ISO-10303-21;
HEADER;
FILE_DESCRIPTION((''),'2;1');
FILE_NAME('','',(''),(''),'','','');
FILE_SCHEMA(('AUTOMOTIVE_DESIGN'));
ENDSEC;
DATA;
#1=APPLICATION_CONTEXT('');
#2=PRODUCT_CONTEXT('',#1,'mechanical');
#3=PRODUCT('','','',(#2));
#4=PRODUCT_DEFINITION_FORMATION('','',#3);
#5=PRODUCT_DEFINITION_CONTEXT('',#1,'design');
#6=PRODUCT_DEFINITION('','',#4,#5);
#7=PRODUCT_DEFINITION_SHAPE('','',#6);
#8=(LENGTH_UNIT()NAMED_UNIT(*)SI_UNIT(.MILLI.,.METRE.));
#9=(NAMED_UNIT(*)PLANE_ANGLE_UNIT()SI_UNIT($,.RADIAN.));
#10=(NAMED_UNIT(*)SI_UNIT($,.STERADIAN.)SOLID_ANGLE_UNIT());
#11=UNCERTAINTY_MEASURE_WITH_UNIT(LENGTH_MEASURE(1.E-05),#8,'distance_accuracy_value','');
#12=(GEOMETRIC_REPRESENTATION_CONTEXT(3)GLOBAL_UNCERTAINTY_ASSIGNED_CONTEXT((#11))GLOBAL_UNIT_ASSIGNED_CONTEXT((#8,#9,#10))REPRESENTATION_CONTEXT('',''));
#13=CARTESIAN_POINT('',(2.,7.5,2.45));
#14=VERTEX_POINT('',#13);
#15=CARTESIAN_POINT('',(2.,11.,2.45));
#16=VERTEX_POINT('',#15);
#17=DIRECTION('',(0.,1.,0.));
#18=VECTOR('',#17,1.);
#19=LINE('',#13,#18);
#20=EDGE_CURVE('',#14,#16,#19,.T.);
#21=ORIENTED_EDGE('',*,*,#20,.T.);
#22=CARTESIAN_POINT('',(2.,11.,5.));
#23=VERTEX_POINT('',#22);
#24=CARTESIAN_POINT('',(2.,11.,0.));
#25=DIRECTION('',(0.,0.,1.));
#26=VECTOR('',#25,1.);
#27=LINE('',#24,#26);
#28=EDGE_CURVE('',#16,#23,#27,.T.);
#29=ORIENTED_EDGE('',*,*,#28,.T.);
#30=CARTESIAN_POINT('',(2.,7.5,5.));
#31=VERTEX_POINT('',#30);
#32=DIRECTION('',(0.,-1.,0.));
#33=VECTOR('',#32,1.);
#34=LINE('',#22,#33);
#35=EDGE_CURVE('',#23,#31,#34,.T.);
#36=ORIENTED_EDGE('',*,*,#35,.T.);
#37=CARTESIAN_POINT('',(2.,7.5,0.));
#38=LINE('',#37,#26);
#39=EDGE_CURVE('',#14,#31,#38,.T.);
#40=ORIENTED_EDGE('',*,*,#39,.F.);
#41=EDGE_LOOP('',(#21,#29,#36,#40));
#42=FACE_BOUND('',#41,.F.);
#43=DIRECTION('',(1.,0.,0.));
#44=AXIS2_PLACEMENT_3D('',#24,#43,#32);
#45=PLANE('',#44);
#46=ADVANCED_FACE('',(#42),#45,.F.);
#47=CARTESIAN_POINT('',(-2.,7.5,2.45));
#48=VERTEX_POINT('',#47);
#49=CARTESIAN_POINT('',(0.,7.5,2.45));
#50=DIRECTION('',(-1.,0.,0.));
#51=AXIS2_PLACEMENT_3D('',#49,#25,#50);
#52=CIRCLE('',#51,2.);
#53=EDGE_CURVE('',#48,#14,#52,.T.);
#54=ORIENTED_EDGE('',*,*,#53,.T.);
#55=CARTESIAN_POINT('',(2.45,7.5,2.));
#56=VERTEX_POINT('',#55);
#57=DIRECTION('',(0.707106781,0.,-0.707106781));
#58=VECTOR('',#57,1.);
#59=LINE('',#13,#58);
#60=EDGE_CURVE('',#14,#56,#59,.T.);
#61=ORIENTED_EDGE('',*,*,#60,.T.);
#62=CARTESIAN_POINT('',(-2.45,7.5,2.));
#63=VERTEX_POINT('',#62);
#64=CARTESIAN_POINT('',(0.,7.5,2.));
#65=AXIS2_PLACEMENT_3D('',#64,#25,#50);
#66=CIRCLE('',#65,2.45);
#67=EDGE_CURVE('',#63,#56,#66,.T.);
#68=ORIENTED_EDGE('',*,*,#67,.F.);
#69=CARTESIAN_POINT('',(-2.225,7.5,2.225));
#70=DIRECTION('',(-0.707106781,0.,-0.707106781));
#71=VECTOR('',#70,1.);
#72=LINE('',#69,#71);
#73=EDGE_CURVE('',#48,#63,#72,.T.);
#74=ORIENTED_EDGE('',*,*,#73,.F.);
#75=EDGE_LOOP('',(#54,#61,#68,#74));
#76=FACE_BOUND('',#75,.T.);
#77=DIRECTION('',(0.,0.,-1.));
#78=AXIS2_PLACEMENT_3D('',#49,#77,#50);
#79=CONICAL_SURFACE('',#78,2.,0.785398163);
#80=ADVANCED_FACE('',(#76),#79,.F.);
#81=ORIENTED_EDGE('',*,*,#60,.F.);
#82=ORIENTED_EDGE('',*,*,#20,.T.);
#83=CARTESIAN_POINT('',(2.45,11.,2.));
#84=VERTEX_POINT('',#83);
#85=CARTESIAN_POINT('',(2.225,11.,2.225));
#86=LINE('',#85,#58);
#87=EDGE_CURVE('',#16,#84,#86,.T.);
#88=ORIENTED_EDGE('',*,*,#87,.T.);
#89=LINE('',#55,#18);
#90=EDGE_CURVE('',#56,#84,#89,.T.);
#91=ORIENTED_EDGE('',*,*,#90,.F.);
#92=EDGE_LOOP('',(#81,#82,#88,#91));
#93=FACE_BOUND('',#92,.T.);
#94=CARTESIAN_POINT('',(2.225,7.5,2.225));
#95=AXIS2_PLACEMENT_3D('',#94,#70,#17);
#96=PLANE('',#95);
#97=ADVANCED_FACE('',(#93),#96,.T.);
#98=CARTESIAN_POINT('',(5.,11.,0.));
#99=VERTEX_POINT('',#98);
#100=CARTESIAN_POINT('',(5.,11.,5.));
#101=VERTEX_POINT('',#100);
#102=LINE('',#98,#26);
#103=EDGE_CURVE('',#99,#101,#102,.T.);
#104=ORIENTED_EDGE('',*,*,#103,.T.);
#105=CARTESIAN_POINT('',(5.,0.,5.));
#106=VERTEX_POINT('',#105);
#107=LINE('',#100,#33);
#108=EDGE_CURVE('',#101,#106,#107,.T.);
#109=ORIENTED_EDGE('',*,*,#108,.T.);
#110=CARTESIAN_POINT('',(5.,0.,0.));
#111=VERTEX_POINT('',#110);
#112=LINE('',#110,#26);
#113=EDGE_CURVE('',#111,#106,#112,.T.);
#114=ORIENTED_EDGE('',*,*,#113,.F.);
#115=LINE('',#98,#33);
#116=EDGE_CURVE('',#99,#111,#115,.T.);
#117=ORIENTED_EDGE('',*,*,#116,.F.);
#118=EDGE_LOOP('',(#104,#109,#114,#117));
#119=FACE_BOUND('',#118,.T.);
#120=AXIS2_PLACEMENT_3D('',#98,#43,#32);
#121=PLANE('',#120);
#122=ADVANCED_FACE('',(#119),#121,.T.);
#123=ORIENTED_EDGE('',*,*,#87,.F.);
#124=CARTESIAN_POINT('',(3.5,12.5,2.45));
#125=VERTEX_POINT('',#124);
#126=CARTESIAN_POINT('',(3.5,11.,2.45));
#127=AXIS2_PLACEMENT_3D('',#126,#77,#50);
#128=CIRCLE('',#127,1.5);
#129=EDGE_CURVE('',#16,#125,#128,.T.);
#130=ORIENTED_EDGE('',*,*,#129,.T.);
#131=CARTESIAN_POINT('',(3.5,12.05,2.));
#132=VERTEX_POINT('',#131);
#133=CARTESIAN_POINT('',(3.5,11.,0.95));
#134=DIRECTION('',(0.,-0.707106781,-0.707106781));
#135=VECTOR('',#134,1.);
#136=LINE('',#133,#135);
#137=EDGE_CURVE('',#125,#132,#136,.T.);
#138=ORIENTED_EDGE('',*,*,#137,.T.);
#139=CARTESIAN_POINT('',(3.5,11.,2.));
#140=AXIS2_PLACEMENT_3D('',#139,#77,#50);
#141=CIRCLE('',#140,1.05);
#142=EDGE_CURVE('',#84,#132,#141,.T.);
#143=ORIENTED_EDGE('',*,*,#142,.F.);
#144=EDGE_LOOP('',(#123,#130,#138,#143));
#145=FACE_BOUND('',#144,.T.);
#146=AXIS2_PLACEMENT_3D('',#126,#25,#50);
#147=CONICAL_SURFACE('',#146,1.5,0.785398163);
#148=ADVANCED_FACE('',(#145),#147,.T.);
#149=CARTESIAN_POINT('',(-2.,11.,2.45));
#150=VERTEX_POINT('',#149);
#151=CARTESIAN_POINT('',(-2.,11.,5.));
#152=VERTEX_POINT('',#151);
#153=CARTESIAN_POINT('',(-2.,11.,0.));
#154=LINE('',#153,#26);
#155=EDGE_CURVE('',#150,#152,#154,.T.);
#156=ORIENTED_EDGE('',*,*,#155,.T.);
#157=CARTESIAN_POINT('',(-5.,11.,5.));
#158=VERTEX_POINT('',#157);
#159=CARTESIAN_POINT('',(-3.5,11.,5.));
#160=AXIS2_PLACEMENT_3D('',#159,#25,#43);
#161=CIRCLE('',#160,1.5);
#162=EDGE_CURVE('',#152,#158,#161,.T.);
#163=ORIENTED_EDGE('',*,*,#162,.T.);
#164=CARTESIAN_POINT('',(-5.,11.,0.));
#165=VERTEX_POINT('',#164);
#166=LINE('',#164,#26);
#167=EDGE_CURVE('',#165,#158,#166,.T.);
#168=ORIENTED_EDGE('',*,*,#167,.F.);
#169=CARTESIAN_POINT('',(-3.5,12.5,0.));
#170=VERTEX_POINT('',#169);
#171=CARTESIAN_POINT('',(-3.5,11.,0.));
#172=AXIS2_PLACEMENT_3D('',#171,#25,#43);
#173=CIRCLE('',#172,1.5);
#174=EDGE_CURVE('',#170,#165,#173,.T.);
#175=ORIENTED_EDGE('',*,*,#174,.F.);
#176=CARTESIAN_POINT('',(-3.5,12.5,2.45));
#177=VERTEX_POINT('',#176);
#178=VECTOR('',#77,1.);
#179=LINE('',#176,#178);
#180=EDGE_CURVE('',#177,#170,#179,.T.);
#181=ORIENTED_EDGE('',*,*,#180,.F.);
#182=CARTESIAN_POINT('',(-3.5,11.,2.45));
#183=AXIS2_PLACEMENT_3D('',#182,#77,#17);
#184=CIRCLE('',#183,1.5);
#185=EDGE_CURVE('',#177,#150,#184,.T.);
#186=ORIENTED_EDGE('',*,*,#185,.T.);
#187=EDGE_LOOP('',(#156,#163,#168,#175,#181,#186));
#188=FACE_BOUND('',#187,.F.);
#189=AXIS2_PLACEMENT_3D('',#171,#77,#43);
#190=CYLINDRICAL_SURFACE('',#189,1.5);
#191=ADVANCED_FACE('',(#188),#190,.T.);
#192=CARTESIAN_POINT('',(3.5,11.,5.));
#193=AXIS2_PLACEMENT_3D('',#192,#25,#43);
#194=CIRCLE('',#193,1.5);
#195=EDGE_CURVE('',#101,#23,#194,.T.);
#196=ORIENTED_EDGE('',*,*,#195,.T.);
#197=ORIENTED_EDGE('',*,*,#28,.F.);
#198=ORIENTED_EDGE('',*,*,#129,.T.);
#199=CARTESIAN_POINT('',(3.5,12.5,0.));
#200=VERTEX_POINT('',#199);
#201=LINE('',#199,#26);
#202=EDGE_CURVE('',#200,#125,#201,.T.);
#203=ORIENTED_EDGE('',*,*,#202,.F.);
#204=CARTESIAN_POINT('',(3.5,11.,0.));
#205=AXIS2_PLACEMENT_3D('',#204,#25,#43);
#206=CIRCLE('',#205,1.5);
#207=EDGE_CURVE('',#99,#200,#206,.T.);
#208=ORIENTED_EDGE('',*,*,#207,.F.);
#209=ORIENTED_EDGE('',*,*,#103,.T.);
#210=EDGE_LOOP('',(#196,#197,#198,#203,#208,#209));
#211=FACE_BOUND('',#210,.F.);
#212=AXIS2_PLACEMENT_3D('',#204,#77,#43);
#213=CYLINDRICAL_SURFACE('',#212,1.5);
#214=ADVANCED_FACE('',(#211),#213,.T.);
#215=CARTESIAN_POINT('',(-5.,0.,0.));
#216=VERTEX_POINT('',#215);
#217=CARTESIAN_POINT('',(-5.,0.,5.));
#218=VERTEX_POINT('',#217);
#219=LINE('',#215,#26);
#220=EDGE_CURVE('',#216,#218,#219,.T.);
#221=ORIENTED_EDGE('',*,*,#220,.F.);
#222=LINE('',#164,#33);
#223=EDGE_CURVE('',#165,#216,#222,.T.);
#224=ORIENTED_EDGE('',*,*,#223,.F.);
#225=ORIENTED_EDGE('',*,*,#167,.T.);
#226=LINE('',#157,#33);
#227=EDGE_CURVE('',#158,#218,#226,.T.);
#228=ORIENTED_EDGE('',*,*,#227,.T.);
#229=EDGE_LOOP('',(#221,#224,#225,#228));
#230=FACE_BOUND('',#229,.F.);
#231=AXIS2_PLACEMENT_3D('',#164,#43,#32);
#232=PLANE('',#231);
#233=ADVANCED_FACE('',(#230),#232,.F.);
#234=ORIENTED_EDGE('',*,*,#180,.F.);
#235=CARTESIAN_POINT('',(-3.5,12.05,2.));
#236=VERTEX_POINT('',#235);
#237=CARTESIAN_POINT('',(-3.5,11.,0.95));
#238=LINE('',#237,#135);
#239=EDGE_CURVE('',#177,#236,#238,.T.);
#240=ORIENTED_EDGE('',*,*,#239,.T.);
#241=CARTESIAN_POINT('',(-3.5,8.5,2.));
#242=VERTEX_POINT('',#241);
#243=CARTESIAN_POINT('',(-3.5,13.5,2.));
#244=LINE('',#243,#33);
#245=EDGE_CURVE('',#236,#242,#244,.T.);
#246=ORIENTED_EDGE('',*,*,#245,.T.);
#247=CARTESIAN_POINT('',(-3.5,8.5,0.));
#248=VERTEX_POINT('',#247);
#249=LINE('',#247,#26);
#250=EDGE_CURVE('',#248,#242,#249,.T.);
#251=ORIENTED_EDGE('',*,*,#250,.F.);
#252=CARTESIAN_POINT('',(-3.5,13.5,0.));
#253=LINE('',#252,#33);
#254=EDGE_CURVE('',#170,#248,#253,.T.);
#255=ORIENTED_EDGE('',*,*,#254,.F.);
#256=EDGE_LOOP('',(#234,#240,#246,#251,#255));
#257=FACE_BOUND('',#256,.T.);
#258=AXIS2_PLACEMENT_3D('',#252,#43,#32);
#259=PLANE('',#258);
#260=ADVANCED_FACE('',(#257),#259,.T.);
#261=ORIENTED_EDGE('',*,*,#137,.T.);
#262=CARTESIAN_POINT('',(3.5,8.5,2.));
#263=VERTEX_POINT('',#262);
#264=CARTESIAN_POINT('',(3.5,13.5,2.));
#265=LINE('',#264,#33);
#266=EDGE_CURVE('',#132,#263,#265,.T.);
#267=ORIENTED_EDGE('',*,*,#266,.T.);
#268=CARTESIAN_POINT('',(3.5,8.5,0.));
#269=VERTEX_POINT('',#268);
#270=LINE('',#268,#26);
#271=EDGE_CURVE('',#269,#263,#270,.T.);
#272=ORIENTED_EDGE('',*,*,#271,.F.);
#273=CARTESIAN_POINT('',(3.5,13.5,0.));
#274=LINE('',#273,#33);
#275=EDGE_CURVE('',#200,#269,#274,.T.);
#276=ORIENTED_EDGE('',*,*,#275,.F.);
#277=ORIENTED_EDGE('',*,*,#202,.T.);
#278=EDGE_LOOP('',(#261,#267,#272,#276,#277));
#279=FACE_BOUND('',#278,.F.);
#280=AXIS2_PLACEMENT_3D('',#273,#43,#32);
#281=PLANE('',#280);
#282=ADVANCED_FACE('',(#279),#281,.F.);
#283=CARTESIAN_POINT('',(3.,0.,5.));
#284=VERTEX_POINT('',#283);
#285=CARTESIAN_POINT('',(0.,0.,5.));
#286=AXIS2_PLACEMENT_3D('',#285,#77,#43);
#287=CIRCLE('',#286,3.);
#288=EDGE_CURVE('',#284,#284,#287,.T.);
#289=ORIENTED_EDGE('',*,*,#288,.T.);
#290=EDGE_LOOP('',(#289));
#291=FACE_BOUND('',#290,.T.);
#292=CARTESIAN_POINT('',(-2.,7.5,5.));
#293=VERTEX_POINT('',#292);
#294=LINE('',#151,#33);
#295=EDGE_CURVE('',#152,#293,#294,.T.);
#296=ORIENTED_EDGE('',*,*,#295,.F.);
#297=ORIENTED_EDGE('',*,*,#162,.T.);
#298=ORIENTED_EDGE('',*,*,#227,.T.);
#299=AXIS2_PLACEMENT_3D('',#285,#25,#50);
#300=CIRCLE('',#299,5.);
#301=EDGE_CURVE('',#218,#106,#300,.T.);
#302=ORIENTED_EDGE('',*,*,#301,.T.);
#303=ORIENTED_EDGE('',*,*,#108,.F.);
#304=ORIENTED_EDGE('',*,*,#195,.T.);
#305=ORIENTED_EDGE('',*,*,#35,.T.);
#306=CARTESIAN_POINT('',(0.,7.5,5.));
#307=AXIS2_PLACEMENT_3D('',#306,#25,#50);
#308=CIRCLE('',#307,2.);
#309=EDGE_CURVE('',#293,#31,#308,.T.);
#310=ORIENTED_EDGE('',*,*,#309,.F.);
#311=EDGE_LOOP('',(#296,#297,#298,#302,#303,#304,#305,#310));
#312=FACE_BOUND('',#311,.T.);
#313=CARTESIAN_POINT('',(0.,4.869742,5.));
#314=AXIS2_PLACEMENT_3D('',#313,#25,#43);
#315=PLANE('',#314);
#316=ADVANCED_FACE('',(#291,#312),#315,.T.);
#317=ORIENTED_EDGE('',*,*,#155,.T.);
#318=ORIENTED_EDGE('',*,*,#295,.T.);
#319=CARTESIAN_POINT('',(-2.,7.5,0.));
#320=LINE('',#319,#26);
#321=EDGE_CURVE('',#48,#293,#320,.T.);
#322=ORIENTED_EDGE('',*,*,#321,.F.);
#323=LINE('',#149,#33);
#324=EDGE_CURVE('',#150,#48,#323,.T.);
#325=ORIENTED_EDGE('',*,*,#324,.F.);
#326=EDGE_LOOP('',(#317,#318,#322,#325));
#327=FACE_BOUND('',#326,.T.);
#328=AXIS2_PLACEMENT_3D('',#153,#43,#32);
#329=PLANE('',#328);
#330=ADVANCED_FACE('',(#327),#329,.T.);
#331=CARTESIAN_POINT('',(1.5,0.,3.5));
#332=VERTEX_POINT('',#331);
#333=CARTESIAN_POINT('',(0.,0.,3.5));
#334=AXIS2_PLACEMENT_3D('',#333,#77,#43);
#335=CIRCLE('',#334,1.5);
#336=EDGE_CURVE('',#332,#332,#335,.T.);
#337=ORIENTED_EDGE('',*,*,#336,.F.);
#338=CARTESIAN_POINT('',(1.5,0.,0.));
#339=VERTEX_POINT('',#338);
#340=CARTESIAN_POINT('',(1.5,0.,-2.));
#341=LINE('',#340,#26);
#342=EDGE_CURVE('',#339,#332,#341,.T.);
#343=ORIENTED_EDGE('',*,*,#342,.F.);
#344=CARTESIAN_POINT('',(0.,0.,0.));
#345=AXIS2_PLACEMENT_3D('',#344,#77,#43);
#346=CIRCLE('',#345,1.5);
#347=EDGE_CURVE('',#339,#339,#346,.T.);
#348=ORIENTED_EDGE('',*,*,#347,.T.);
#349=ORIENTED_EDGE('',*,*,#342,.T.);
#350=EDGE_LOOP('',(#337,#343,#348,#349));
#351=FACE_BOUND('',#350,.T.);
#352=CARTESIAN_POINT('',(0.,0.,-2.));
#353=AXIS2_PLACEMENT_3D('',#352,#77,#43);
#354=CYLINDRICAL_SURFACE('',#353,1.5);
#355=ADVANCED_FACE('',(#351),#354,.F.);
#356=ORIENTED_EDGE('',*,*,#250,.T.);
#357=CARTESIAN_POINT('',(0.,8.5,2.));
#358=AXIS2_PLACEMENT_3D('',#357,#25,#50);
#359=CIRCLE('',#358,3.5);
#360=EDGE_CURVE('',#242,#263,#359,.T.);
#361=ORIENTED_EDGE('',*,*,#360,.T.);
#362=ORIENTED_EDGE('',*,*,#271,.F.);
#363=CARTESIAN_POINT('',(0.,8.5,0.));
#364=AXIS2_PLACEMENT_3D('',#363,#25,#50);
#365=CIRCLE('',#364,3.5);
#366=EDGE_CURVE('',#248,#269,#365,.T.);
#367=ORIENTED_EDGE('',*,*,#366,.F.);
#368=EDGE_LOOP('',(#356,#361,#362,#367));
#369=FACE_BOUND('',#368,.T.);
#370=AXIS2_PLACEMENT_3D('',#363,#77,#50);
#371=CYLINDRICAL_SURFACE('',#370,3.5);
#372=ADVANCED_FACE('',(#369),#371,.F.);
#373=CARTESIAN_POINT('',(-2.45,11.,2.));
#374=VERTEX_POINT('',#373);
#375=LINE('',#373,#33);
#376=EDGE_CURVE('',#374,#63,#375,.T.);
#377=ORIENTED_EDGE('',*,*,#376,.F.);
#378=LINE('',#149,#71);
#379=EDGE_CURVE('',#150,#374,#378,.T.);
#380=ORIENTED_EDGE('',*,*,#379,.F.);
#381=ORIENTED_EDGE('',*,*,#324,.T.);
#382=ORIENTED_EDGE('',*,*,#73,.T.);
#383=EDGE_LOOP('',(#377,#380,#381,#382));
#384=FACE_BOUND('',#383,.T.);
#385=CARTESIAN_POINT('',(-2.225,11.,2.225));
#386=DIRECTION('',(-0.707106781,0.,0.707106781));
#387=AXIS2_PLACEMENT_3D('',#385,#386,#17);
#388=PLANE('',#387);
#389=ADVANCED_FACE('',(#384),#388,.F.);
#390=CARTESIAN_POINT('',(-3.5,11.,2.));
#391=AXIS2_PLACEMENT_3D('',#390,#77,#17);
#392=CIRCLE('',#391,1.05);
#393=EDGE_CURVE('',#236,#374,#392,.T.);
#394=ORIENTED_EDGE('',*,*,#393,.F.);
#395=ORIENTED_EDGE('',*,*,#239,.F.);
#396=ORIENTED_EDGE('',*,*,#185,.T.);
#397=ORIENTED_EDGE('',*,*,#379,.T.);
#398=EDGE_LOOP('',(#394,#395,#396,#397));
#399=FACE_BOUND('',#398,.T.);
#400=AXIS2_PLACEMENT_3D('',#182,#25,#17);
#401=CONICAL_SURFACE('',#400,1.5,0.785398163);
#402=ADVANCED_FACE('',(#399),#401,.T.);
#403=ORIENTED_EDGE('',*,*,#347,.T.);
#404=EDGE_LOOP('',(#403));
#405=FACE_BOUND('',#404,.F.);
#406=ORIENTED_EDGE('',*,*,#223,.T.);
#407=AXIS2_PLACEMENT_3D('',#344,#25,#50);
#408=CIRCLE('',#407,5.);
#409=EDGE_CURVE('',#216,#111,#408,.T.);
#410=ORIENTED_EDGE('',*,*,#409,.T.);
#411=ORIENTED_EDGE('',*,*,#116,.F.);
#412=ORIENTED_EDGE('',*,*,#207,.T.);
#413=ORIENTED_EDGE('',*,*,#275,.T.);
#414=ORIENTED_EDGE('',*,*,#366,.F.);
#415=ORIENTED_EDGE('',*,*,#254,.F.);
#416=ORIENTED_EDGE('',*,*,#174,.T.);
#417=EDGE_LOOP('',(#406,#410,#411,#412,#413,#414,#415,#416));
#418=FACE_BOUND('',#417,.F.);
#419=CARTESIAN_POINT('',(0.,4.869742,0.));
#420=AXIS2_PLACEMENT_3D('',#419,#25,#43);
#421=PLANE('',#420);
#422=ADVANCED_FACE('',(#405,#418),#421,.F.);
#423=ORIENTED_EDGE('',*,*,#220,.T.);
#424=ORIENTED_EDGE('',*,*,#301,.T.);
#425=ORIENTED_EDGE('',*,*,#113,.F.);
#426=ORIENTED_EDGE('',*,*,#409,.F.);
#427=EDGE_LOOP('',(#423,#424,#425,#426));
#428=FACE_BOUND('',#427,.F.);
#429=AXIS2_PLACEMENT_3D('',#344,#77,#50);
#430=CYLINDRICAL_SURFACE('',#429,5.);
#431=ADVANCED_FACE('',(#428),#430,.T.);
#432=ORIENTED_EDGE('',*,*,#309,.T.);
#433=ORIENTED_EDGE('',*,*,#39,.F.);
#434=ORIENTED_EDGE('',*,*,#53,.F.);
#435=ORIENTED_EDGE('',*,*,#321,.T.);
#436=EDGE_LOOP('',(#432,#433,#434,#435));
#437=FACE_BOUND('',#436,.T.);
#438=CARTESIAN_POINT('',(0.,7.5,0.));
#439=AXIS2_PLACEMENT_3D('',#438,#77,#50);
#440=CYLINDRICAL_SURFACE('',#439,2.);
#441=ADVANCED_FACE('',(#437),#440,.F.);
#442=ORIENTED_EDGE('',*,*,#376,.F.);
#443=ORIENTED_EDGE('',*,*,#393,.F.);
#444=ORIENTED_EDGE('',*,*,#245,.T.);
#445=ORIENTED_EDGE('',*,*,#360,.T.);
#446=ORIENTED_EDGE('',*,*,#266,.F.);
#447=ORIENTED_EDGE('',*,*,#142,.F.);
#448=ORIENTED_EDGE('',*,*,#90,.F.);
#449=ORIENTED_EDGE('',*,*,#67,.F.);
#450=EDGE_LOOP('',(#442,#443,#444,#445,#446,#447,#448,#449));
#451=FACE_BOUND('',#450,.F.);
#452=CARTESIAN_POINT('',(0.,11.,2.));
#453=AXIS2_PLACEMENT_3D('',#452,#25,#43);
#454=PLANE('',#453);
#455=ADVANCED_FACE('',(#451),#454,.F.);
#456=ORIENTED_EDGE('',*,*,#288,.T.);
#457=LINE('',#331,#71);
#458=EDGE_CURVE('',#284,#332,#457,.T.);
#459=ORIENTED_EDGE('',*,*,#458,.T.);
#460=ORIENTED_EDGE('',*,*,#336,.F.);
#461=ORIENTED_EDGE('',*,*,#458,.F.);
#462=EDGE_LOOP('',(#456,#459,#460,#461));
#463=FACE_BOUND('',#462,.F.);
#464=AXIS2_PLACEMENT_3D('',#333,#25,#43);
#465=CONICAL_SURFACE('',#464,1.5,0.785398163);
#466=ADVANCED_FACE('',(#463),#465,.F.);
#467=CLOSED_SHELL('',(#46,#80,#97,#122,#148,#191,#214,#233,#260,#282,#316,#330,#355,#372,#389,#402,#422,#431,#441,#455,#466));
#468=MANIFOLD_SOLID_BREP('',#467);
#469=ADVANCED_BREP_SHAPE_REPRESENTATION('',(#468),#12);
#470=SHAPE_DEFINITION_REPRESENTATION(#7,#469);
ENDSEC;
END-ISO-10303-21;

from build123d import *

# Parameters (mm, degrees)
CYLINDER_R       = 1.5
CYLINDER_DEPTH   = 10
EXTRUDE001_DEPTH = 2
EXTRUDE_DEPTH    = 5
CHAMFER_SIZE     = 0.45
CHAMFER001_SIZE  = 1.5


with BuildPart() as cylinder:
    # Cylinder → Cylinder (new body)
    with BuildSketch(Plane.XY.offset(-2)):
        Circle(CYLINDER_R)
    extrude(amount=CYLINDER_DEPTH)


with BuildPart() as extrude001:
    # Sketch001 → Extrude001 (new body)
    with BuildSketch(Plane.XY):
        with BuildLine():
            ThreePointArc((3.5, 13.5), (0, 17), (-3.5, 13.5))
            Line((-3.5, 13.5), (-3.5, 8.5))
            ThreePointArc((-3.5, 8.5), (0, 5), (3.5, 8.5))
            Line((3.5, 13.5), (3.5, 8.5))
        make_face()
    extrude(amount=EXTRUDE001_DEPTH)


with BuildPart() as colgador:
    # Sketch → Extrude (new body)
    with BuildSketch(Plane.XY):
        with BuildLine():
            Line((-5, 11), (-5, 0))
            ThreePointArc((-5, 0), (0, -5), (5, 0))
            Line((5, 11), (5, 0))
            ThreePointArc((5, 11), (3.5, 12.5), (2, 11))
            Line((2, 11), (2, 7.5))
            ThreePointArc((-2, 7.5), (0, 5.5), (2, 7.5))
            Line((-2, 11), (-2, 7.5))
            ThreePointArc((-2, 11), (-3.5, 12.5), (-5, 11))
        make_face()
    extrude(amount=EXTRUDE_DEPTH)

    # Cut: cut Extrude001
    add(extrude001.part, mode=Mode.SUBTRACT)

    # Chamfer
    chamfer_edges = [colgador.edges().sort_by_distance(p)[0] for p in [
        (-2.43934, 12.06066, 2),
        (-2, 9.25, 2),
        (2, 9.25, 2),
        (2.43934, 12.06066, 2),
    ]]
    chamfer(chamfer_edges, length=CHAMFER_SIZE)

    # Cut001: cut Cylinder
    add(cylinder.part, mode=Mode.SUBTRACT)

    # Chamfer001
    chamfer001_edges = [colgador.edges().sort_by_distance(p)[0] for p in [
        (-1.5, 0, 5),
    ]]
    chamfer(chamfer001_edges, length=CHAMFER001_SIZE)


solid = colgador.part
